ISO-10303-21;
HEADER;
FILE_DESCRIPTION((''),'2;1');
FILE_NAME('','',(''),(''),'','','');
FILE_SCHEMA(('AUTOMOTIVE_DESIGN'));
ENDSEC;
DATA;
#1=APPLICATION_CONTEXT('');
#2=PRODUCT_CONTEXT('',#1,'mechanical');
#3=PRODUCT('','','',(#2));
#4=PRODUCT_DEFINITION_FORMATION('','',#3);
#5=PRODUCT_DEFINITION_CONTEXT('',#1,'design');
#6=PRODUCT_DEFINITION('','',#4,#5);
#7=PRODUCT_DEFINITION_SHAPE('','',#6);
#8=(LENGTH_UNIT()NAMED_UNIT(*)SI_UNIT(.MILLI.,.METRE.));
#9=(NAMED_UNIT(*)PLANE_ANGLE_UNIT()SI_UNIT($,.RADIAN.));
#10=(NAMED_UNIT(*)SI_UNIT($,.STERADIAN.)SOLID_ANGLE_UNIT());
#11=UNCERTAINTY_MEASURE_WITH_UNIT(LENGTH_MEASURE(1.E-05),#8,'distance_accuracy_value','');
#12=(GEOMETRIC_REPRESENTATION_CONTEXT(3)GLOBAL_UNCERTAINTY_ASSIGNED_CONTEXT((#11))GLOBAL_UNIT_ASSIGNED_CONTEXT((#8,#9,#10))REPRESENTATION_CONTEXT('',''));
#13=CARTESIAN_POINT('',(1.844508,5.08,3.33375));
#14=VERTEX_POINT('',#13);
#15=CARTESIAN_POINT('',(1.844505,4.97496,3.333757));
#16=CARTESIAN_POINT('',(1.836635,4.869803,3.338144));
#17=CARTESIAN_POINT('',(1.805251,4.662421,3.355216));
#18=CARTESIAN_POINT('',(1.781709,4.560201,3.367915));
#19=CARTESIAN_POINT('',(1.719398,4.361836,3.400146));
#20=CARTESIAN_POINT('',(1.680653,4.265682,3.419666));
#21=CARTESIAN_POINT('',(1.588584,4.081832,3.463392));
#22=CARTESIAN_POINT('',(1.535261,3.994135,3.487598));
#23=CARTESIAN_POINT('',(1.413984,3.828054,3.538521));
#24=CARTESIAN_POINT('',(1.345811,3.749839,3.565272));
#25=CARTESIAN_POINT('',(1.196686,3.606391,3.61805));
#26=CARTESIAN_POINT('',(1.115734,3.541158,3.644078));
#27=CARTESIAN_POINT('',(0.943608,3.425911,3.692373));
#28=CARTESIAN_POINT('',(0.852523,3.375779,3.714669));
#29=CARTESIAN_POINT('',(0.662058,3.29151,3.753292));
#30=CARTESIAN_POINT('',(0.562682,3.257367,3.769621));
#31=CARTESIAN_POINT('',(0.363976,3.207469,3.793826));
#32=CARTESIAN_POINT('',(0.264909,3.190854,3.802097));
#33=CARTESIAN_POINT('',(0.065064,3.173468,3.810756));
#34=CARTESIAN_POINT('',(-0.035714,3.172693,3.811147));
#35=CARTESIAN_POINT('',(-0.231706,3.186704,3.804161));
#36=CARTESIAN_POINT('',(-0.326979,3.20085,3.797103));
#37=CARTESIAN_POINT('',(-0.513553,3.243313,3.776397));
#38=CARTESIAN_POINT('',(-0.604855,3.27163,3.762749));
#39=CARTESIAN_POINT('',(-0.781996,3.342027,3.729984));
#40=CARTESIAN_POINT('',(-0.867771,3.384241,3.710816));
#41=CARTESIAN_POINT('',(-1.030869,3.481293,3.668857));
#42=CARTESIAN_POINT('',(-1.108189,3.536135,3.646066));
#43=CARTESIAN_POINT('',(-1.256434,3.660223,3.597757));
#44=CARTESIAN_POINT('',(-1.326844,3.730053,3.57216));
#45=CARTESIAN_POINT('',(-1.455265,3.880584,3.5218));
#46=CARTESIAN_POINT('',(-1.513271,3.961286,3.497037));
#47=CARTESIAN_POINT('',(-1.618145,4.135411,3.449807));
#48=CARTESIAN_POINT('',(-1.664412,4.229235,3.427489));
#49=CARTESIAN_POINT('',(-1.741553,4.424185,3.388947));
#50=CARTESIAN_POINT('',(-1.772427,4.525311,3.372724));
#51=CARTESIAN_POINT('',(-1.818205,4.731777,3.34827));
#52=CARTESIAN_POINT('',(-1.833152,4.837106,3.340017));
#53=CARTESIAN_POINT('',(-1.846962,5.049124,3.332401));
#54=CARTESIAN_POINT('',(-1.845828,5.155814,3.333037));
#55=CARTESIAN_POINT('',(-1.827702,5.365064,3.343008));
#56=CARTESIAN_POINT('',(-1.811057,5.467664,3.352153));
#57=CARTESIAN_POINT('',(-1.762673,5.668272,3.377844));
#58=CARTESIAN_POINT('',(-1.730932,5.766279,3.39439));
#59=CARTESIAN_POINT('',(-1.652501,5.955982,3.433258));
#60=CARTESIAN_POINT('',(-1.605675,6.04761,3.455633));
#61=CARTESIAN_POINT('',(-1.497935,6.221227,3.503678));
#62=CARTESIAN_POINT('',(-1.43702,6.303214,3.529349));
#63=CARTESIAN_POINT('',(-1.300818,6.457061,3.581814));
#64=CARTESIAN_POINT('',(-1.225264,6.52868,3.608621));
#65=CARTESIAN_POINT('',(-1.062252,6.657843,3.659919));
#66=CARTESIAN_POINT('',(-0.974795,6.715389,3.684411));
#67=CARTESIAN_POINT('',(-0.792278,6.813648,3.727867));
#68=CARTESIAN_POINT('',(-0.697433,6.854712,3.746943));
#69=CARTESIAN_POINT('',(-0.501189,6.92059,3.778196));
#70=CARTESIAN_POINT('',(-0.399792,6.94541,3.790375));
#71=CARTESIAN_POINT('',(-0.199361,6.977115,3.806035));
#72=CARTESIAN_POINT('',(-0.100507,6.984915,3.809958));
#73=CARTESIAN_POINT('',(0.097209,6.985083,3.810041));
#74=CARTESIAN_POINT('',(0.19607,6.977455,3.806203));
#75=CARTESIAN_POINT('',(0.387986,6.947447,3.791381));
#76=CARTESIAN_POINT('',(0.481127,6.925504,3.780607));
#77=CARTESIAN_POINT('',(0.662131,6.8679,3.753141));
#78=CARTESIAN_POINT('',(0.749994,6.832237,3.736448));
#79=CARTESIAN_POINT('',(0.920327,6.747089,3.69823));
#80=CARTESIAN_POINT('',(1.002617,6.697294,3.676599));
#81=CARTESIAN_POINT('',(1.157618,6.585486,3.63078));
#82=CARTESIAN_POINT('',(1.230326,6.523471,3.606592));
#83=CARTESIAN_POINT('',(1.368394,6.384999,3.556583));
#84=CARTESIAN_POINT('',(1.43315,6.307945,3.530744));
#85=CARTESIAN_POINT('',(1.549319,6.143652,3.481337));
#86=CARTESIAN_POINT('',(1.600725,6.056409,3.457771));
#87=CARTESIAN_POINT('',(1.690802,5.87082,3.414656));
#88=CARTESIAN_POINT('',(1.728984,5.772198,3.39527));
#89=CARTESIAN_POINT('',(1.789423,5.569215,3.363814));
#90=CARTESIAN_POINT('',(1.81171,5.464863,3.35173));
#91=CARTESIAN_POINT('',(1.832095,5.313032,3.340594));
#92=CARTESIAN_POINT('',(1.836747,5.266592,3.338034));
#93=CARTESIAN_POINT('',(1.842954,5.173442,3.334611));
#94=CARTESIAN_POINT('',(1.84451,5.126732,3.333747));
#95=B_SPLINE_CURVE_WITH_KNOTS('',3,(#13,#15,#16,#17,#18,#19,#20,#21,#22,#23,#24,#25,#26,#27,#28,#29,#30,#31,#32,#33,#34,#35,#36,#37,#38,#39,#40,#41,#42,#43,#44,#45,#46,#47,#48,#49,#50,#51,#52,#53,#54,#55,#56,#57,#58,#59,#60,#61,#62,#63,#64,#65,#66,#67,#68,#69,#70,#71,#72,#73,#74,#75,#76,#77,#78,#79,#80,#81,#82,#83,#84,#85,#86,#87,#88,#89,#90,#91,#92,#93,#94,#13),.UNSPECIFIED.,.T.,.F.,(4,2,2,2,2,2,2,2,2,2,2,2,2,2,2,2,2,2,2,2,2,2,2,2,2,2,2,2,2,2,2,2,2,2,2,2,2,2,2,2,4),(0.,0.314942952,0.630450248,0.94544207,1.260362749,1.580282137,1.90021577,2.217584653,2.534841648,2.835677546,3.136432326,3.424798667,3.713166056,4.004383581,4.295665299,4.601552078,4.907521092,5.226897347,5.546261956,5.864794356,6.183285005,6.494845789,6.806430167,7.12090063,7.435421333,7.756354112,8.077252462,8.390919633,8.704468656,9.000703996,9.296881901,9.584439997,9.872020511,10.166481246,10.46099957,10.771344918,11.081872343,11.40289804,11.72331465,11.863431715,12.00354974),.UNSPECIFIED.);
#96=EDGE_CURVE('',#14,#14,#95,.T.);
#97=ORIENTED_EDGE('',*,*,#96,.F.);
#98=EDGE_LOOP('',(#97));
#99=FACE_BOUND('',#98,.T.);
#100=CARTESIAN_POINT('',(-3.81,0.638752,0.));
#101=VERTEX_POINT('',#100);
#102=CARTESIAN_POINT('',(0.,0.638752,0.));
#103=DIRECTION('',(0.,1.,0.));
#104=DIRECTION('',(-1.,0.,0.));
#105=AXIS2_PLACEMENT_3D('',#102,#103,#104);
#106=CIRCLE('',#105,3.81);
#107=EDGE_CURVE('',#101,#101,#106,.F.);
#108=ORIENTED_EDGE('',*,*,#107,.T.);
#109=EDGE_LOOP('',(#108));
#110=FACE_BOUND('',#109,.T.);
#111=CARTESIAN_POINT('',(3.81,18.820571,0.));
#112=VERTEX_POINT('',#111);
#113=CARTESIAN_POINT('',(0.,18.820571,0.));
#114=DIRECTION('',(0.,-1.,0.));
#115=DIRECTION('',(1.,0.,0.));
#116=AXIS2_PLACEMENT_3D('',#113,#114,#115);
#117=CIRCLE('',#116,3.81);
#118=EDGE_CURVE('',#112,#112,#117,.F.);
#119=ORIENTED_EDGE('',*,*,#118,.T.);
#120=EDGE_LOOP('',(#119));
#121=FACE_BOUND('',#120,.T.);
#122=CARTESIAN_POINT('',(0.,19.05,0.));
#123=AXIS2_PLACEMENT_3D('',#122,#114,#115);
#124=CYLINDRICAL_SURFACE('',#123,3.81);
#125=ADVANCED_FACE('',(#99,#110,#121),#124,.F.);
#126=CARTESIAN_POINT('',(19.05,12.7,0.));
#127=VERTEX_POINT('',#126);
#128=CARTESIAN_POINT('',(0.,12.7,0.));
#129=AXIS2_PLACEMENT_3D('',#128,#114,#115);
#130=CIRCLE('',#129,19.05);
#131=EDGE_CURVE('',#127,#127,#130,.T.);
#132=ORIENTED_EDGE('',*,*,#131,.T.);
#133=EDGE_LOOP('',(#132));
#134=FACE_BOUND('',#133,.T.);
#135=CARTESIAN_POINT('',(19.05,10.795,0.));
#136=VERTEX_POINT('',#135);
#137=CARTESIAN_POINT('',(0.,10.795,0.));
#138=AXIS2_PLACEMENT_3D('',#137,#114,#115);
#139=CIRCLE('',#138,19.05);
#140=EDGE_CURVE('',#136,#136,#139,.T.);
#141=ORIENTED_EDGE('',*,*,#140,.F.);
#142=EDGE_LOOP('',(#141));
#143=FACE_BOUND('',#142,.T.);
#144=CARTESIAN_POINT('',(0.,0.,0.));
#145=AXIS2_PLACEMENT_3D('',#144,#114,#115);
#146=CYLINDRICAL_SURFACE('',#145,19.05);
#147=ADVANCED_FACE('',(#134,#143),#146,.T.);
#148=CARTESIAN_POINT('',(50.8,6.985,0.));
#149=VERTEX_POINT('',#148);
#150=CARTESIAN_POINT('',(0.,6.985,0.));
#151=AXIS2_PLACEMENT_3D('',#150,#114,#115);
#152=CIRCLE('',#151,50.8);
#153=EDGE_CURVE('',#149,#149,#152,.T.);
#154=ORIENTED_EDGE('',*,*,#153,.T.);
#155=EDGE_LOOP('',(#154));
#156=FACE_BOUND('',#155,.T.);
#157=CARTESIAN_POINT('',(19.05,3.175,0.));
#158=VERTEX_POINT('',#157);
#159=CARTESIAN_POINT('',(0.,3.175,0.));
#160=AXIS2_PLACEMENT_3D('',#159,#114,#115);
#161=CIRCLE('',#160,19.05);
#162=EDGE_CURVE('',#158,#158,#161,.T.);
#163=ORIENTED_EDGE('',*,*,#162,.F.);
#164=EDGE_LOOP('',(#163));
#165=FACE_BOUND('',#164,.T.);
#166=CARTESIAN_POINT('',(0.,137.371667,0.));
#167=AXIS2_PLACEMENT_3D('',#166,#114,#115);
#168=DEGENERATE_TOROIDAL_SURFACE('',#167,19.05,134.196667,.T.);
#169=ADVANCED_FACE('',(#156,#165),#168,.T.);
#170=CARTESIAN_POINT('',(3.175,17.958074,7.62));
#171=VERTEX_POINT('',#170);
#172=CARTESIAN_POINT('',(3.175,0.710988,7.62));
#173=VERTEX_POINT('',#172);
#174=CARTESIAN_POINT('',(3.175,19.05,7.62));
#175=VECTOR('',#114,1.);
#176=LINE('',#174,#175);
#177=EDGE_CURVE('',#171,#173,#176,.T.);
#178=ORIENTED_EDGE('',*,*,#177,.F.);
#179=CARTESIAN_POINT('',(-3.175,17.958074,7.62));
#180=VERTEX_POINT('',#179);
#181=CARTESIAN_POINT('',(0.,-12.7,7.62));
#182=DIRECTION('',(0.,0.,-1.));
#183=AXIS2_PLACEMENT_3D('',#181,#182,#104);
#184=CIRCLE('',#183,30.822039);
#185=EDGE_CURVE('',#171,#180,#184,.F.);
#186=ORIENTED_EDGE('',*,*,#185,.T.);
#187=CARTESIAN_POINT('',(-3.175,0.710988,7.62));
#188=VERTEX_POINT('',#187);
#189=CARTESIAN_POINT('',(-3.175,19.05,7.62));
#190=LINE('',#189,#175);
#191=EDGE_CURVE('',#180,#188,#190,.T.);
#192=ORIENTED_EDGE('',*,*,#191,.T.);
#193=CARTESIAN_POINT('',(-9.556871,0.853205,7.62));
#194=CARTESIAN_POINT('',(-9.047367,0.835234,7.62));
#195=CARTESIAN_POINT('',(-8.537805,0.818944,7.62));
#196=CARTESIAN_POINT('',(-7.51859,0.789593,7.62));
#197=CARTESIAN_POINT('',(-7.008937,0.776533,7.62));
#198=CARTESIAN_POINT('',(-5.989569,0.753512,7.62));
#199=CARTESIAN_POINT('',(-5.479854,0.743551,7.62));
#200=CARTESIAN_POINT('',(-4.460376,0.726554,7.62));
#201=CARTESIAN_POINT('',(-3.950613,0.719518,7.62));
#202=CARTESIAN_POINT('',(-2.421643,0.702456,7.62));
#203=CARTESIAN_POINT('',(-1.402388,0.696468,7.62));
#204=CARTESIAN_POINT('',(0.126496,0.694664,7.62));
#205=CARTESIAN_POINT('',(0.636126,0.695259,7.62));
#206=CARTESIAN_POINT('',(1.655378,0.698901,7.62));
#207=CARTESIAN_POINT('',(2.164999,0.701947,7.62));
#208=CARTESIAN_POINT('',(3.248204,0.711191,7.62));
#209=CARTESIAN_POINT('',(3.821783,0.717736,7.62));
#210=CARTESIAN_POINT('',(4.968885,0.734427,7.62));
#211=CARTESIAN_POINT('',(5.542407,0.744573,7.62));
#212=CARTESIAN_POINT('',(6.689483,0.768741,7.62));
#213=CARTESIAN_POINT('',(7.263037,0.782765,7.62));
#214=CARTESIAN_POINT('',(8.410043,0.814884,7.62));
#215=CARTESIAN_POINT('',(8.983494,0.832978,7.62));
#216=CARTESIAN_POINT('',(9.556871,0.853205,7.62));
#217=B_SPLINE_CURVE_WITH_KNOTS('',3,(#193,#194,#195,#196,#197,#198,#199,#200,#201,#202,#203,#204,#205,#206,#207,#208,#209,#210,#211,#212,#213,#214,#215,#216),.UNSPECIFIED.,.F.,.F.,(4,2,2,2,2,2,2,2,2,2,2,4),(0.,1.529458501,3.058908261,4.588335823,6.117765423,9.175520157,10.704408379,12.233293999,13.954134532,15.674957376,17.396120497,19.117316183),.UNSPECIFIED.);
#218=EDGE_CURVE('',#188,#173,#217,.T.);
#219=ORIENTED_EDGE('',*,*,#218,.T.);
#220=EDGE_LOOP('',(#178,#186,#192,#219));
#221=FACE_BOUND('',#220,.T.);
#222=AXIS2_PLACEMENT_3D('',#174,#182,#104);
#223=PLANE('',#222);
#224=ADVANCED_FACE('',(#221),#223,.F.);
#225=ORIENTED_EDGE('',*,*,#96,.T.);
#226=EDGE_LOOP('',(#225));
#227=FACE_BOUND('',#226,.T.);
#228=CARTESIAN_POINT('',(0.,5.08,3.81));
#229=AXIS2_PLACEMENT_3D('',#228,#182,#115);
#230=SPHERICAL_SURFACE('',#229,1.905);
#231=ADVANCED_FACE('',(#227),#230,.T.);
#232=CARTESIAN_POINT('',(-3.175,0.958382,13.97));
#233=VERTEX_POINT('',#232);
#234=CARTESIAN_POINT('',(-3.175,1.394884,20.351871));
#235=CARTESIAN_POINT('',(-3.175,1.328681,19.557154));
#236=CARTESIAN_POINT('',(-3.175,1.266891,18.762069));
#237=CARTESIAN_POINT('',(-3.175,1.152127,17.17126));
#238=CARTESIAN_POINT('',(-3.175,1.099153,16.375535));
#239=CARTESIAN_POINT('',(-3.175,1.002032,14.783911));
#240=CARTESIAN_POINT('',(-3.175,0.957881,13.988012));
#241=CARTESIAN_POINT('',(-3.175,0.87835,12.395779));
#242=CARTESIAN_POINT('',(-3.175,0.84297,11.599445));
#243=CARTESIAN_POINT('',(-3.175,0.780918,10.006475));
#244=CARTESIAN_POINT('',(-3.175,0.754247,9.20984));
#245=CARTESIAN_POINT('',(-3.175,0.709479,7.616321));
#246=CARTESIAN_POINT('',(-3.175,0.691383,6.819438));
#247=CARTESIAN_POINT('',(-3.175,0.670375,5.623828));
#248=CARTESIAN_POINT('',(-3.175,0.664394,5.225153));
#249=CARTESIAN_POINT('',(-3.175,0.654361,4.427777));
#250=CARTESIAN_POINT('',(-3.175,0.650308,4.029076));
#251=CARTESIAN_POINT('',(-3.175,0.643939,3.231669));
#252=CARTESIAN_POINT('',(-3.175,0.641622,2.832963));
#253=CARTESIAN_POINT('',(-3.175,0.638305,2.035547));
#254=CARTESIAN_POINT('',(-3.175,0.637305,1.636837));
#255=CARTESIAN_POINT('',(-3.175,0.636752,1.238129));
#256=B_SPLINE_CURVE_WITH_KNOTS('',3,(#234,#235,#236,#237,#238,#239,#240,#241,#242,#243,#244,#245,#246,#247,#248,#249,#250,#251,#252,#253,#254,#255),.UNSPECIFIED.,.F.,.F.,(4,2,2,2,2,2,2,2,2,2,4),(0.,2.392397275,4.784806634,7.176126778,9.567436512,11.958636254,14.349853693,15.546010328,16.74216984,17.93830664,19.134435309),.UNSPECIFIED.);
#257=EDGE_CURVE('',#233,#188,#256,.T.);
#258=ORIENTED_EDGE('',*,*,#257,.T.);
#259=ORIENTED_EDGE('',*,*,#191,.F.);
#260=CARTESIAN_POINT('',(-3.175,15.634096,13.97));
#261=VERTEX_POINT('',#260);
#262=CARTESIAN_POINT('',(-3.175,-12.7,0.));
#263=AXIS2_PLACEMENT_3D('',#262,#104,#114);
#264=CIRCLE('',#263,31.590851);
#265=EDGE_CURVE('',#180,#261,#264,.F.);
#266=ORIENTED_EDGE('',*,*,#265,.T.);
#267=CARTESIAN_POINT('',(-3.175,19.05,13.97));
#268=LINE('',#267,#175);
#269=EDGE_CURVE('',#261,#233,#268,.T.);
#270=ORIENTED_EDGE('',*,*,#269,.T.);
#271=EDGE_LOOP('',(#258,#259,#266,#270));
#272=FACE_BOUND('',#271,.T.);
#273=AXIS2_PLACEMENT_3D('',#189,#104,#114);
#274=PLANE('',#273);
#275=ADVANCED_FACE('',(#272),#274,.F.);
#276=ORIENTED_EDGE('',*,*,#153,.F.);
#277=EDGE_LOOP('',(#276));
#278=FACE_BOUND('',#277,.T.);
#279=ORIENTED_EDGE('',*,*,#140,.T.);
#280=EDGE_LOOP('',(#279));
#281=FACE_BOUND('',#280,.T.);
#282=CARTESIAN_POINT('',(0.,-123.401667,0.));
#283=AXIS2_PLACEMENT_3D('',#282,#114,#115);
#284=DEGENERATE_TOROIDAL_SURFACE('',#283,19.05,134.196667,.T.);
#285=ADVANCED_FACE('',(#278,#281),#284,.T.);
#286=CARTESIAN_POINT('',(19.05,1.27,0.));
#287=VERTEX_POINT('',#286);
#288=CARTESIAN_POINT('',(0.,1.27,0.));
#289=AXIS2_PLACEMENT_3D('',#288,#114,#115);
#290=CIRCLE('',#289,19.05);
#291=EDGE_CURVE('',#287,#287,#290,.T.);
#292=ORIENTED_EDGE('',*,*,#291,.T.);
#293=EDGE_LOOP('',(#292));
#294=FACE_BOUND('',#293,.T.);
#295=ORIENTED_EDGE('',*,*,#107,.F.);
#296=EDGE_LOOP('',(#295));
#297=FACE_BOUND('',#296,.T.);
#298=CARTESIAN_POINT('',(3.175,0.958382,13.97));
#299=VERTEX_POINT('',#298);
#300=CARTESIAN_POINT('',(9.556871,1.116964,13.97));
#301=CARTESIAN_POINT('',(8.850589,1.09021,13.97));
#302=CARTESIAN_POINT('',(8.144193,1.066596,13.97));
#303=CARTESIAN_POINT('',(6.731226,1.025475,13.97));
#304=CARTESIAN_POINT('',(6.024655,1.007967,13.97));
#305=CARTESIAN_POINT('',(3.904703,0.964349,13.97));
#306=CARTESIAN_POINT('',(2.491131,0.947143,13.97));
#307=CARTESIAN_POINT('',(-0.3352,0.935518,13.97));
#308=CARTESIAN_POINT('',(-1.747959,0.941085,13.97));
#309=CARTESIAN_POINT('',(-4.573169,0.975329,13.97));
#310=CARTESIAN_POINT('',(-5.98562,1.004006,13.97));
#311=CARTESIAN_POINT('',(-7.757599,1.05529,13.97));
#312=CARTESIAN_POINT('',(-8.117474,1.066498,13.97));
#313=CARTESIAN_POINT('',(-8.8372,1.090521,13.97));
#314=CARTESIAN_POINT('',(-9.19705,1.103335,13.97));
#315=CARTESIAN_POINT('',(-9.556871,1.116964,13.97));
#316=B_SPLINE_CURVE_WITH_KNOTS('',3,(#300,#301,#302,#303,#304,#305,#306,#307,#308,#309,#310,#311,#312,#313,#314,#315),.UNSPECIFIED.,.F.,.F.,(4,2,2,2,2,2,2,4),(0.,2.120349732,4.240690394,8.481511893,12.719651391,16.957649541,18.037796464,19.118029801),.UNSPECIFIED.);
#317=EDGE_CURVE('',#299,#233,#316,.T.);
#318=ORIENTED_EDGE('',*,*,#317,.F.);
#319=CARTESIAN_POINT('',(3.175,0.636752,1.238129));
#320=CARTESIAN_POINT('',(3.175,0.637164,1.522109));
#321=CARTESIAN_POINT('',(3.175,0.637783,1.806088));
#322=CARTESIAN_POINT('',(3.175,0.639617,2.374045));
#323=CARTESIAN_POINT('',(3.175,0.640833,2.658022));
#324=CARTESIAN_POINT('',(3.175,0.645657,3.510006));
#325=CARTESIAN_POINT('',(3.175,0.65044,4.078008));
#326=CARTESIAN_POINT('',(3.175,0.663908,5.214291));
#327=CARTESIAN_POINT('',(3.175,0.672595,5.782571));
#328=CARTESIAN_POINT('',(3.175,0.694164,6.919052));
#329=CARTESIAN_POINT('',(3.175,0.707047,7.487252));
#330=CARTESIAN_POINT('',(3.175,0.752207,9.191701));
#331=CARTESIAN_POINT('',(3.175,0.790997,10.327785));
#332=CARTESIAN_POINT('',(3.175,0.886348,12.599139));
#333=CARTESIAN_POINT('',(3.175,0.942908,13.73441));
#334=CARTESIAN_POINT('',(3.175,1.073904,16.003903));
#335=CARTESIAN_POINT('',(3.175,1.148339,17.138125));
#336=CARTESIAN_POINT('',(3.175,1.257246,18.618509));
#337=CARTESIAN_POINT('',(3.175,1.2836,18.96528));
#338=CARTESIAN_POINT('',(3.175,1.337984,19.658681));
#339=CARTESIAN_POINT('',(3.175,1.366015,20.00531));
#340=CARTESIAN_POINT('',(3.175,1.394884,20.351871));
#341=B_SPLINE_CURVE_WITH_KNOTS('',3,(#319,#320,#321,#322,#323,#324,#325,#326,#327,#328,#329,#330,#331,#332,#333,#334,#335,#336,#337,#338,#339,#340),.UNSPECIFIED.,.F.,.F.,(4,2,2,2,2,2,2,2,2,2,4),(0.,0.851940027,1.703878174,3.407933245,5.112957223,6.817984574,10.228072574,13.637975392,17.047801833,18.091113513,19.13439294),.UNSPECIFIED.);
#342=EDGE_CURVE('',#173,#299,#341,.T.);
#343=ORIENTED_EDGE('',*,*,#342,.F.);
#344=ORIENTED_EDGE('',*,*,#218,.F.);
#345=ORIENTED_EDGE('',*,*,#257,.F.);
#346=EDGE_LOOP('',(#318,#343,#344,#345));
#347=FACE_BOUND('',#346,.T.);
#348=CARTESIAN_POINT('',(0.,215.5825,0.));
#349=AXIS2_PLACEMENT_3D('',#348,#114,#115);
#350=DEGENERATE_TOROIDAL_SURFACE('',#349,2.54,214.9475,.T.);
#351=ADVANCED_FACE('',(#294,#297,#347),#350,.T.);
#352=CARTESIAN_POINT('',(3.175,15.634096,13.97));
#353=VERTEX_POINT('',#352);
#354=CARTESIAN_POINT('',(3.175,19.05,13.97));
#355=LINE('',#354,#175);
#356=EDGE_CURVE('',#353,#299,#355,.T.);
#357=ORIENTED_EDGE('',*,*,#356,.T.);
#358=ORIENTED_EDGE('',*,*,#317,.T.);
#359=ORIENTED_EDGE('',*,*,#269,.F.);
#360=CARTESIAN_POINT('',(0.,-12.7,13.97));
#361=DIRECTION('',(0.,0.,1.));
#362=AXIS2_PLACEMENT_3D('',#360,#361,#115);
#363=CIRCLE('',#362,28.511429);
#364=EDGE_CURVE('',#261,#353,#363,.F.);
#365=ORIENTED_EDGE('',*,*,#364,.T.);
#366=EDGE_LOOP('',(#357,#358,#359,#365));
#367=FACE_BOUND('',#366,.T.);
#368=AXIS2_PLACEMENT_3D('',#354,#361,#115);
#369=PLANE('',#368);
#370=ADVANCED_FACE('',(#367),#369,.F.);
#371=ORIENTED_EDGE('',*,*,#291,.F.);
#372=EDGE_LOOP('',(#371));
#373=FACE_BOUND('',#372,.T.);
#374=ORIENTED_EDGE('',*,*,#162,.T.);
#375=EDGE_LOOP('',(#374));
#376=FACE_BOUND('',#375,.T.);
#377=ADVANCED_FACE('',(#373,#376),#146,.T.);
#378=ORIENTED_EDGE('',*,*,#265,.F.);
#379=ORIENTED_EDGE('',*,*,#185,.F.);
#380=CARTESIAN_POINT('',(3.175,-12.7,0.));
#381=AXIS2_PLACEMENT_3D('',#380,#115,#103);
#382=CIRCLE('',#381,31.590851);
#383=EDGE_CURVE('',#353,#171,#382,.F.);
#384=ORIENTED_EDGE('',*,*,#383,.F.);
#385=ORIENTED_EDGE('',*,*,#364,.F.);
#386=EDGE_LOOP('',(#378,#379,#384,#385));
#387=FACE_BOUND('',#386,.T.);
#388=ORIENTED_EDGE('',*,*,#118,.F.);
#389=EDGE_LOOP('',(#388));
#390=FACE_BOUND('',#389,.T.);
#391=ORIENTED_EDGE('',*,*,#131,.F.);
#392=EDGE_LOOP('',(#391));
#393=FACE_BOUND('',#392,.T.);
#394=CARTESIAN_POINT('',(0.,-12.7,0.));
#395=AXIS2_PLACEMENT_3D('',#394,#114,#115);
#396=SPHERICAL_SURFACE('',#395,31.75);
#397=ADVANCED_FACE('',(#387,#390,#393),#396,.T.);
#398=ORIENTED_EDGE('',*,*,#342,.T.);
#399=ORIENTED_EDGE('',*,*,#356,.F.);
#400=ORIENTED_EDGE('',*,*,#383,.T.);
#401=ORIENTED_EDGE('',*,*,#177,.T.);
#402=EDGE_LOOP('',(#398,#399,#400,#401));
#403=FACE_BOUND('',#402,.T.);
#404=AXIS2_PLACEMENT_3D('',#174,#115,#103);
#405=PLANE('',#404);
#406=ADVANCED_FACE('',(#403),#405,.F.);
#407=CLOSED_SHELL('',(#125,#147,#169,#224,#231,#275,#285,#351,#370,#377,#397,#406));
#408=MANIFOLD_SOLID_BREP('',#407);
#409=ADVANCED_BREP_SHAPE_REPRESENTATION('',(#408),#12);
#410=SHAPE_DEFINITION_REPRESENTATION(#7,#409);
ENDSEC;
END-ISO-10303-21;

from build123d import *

# Parameters (mm, degrees)
SKETCH2_R          = 3.81
SKETCH2_W          = 6.35
SKETCH2_H          = 6.35
CUT_EXTRUDE1_DEPTH = 20.05


with BuildPart() as part:
    # Sketch1 → Revolve1 (revolve)
    with BuildSketch(Plane.XY):
        with BuildLine():
            Line((0, 0), (0, 19.05))
            ThreePointArc((0, 19.05), (10.040231571, 17.420694713), (19.05, 12.7))
            Line((19.05, 12.7), (19.05, 10.795))
            ThreePointArc((19.05, 10.795), (35.038891456, 9.839095469), (50.8, 6.985))
            ThreePointArc((50.8, 6.985), (35.038891456, 4.130904531), (19.05, 3.175))
            Line((19.05, 3.175), (19.05, 1.27))
            ThreePointArc((19.05, 1.27), (10.801103513, 0.793808666), (2.54, 0.635))
            Line((2.54, 0.635), (2.54, 0))
            Line((2.54, 0), (0, 0))
        make_face()
    revolve(axis=Axis((0, 0, 0), (0, 1, 0)))

    # Sketch2 → Cut-Extrude1 (cut, through all)
    with BuildSketch(Plane.XZ):
        Circle(SKETCH2_R)
        with Locations((0, 10.795)):
            Rectangle(SKETCH2_W, SKETCH2_H)
    extrude(amount=-CUT_EXTRUDE1_DEPTH, mode=Mode.SUBTRACT)

    # Sketch3 → Revolve4 (revolve)
    with BuildSketch(Plane(origin=(0, 5.08, 0), x_dir=(1, 0, 0), z_dir=(0, 1, 0))):
        with BuildLine():
            Line((0, -1.905), (0, -5.715))
            ThreePointArc((0, -5.715), (1.905, -3.81), (0, -1.905))
        make_face()
    revolve(axis=Axis((0, 5.08, 1.905), (0, 0, 1)))


solid = part.part
